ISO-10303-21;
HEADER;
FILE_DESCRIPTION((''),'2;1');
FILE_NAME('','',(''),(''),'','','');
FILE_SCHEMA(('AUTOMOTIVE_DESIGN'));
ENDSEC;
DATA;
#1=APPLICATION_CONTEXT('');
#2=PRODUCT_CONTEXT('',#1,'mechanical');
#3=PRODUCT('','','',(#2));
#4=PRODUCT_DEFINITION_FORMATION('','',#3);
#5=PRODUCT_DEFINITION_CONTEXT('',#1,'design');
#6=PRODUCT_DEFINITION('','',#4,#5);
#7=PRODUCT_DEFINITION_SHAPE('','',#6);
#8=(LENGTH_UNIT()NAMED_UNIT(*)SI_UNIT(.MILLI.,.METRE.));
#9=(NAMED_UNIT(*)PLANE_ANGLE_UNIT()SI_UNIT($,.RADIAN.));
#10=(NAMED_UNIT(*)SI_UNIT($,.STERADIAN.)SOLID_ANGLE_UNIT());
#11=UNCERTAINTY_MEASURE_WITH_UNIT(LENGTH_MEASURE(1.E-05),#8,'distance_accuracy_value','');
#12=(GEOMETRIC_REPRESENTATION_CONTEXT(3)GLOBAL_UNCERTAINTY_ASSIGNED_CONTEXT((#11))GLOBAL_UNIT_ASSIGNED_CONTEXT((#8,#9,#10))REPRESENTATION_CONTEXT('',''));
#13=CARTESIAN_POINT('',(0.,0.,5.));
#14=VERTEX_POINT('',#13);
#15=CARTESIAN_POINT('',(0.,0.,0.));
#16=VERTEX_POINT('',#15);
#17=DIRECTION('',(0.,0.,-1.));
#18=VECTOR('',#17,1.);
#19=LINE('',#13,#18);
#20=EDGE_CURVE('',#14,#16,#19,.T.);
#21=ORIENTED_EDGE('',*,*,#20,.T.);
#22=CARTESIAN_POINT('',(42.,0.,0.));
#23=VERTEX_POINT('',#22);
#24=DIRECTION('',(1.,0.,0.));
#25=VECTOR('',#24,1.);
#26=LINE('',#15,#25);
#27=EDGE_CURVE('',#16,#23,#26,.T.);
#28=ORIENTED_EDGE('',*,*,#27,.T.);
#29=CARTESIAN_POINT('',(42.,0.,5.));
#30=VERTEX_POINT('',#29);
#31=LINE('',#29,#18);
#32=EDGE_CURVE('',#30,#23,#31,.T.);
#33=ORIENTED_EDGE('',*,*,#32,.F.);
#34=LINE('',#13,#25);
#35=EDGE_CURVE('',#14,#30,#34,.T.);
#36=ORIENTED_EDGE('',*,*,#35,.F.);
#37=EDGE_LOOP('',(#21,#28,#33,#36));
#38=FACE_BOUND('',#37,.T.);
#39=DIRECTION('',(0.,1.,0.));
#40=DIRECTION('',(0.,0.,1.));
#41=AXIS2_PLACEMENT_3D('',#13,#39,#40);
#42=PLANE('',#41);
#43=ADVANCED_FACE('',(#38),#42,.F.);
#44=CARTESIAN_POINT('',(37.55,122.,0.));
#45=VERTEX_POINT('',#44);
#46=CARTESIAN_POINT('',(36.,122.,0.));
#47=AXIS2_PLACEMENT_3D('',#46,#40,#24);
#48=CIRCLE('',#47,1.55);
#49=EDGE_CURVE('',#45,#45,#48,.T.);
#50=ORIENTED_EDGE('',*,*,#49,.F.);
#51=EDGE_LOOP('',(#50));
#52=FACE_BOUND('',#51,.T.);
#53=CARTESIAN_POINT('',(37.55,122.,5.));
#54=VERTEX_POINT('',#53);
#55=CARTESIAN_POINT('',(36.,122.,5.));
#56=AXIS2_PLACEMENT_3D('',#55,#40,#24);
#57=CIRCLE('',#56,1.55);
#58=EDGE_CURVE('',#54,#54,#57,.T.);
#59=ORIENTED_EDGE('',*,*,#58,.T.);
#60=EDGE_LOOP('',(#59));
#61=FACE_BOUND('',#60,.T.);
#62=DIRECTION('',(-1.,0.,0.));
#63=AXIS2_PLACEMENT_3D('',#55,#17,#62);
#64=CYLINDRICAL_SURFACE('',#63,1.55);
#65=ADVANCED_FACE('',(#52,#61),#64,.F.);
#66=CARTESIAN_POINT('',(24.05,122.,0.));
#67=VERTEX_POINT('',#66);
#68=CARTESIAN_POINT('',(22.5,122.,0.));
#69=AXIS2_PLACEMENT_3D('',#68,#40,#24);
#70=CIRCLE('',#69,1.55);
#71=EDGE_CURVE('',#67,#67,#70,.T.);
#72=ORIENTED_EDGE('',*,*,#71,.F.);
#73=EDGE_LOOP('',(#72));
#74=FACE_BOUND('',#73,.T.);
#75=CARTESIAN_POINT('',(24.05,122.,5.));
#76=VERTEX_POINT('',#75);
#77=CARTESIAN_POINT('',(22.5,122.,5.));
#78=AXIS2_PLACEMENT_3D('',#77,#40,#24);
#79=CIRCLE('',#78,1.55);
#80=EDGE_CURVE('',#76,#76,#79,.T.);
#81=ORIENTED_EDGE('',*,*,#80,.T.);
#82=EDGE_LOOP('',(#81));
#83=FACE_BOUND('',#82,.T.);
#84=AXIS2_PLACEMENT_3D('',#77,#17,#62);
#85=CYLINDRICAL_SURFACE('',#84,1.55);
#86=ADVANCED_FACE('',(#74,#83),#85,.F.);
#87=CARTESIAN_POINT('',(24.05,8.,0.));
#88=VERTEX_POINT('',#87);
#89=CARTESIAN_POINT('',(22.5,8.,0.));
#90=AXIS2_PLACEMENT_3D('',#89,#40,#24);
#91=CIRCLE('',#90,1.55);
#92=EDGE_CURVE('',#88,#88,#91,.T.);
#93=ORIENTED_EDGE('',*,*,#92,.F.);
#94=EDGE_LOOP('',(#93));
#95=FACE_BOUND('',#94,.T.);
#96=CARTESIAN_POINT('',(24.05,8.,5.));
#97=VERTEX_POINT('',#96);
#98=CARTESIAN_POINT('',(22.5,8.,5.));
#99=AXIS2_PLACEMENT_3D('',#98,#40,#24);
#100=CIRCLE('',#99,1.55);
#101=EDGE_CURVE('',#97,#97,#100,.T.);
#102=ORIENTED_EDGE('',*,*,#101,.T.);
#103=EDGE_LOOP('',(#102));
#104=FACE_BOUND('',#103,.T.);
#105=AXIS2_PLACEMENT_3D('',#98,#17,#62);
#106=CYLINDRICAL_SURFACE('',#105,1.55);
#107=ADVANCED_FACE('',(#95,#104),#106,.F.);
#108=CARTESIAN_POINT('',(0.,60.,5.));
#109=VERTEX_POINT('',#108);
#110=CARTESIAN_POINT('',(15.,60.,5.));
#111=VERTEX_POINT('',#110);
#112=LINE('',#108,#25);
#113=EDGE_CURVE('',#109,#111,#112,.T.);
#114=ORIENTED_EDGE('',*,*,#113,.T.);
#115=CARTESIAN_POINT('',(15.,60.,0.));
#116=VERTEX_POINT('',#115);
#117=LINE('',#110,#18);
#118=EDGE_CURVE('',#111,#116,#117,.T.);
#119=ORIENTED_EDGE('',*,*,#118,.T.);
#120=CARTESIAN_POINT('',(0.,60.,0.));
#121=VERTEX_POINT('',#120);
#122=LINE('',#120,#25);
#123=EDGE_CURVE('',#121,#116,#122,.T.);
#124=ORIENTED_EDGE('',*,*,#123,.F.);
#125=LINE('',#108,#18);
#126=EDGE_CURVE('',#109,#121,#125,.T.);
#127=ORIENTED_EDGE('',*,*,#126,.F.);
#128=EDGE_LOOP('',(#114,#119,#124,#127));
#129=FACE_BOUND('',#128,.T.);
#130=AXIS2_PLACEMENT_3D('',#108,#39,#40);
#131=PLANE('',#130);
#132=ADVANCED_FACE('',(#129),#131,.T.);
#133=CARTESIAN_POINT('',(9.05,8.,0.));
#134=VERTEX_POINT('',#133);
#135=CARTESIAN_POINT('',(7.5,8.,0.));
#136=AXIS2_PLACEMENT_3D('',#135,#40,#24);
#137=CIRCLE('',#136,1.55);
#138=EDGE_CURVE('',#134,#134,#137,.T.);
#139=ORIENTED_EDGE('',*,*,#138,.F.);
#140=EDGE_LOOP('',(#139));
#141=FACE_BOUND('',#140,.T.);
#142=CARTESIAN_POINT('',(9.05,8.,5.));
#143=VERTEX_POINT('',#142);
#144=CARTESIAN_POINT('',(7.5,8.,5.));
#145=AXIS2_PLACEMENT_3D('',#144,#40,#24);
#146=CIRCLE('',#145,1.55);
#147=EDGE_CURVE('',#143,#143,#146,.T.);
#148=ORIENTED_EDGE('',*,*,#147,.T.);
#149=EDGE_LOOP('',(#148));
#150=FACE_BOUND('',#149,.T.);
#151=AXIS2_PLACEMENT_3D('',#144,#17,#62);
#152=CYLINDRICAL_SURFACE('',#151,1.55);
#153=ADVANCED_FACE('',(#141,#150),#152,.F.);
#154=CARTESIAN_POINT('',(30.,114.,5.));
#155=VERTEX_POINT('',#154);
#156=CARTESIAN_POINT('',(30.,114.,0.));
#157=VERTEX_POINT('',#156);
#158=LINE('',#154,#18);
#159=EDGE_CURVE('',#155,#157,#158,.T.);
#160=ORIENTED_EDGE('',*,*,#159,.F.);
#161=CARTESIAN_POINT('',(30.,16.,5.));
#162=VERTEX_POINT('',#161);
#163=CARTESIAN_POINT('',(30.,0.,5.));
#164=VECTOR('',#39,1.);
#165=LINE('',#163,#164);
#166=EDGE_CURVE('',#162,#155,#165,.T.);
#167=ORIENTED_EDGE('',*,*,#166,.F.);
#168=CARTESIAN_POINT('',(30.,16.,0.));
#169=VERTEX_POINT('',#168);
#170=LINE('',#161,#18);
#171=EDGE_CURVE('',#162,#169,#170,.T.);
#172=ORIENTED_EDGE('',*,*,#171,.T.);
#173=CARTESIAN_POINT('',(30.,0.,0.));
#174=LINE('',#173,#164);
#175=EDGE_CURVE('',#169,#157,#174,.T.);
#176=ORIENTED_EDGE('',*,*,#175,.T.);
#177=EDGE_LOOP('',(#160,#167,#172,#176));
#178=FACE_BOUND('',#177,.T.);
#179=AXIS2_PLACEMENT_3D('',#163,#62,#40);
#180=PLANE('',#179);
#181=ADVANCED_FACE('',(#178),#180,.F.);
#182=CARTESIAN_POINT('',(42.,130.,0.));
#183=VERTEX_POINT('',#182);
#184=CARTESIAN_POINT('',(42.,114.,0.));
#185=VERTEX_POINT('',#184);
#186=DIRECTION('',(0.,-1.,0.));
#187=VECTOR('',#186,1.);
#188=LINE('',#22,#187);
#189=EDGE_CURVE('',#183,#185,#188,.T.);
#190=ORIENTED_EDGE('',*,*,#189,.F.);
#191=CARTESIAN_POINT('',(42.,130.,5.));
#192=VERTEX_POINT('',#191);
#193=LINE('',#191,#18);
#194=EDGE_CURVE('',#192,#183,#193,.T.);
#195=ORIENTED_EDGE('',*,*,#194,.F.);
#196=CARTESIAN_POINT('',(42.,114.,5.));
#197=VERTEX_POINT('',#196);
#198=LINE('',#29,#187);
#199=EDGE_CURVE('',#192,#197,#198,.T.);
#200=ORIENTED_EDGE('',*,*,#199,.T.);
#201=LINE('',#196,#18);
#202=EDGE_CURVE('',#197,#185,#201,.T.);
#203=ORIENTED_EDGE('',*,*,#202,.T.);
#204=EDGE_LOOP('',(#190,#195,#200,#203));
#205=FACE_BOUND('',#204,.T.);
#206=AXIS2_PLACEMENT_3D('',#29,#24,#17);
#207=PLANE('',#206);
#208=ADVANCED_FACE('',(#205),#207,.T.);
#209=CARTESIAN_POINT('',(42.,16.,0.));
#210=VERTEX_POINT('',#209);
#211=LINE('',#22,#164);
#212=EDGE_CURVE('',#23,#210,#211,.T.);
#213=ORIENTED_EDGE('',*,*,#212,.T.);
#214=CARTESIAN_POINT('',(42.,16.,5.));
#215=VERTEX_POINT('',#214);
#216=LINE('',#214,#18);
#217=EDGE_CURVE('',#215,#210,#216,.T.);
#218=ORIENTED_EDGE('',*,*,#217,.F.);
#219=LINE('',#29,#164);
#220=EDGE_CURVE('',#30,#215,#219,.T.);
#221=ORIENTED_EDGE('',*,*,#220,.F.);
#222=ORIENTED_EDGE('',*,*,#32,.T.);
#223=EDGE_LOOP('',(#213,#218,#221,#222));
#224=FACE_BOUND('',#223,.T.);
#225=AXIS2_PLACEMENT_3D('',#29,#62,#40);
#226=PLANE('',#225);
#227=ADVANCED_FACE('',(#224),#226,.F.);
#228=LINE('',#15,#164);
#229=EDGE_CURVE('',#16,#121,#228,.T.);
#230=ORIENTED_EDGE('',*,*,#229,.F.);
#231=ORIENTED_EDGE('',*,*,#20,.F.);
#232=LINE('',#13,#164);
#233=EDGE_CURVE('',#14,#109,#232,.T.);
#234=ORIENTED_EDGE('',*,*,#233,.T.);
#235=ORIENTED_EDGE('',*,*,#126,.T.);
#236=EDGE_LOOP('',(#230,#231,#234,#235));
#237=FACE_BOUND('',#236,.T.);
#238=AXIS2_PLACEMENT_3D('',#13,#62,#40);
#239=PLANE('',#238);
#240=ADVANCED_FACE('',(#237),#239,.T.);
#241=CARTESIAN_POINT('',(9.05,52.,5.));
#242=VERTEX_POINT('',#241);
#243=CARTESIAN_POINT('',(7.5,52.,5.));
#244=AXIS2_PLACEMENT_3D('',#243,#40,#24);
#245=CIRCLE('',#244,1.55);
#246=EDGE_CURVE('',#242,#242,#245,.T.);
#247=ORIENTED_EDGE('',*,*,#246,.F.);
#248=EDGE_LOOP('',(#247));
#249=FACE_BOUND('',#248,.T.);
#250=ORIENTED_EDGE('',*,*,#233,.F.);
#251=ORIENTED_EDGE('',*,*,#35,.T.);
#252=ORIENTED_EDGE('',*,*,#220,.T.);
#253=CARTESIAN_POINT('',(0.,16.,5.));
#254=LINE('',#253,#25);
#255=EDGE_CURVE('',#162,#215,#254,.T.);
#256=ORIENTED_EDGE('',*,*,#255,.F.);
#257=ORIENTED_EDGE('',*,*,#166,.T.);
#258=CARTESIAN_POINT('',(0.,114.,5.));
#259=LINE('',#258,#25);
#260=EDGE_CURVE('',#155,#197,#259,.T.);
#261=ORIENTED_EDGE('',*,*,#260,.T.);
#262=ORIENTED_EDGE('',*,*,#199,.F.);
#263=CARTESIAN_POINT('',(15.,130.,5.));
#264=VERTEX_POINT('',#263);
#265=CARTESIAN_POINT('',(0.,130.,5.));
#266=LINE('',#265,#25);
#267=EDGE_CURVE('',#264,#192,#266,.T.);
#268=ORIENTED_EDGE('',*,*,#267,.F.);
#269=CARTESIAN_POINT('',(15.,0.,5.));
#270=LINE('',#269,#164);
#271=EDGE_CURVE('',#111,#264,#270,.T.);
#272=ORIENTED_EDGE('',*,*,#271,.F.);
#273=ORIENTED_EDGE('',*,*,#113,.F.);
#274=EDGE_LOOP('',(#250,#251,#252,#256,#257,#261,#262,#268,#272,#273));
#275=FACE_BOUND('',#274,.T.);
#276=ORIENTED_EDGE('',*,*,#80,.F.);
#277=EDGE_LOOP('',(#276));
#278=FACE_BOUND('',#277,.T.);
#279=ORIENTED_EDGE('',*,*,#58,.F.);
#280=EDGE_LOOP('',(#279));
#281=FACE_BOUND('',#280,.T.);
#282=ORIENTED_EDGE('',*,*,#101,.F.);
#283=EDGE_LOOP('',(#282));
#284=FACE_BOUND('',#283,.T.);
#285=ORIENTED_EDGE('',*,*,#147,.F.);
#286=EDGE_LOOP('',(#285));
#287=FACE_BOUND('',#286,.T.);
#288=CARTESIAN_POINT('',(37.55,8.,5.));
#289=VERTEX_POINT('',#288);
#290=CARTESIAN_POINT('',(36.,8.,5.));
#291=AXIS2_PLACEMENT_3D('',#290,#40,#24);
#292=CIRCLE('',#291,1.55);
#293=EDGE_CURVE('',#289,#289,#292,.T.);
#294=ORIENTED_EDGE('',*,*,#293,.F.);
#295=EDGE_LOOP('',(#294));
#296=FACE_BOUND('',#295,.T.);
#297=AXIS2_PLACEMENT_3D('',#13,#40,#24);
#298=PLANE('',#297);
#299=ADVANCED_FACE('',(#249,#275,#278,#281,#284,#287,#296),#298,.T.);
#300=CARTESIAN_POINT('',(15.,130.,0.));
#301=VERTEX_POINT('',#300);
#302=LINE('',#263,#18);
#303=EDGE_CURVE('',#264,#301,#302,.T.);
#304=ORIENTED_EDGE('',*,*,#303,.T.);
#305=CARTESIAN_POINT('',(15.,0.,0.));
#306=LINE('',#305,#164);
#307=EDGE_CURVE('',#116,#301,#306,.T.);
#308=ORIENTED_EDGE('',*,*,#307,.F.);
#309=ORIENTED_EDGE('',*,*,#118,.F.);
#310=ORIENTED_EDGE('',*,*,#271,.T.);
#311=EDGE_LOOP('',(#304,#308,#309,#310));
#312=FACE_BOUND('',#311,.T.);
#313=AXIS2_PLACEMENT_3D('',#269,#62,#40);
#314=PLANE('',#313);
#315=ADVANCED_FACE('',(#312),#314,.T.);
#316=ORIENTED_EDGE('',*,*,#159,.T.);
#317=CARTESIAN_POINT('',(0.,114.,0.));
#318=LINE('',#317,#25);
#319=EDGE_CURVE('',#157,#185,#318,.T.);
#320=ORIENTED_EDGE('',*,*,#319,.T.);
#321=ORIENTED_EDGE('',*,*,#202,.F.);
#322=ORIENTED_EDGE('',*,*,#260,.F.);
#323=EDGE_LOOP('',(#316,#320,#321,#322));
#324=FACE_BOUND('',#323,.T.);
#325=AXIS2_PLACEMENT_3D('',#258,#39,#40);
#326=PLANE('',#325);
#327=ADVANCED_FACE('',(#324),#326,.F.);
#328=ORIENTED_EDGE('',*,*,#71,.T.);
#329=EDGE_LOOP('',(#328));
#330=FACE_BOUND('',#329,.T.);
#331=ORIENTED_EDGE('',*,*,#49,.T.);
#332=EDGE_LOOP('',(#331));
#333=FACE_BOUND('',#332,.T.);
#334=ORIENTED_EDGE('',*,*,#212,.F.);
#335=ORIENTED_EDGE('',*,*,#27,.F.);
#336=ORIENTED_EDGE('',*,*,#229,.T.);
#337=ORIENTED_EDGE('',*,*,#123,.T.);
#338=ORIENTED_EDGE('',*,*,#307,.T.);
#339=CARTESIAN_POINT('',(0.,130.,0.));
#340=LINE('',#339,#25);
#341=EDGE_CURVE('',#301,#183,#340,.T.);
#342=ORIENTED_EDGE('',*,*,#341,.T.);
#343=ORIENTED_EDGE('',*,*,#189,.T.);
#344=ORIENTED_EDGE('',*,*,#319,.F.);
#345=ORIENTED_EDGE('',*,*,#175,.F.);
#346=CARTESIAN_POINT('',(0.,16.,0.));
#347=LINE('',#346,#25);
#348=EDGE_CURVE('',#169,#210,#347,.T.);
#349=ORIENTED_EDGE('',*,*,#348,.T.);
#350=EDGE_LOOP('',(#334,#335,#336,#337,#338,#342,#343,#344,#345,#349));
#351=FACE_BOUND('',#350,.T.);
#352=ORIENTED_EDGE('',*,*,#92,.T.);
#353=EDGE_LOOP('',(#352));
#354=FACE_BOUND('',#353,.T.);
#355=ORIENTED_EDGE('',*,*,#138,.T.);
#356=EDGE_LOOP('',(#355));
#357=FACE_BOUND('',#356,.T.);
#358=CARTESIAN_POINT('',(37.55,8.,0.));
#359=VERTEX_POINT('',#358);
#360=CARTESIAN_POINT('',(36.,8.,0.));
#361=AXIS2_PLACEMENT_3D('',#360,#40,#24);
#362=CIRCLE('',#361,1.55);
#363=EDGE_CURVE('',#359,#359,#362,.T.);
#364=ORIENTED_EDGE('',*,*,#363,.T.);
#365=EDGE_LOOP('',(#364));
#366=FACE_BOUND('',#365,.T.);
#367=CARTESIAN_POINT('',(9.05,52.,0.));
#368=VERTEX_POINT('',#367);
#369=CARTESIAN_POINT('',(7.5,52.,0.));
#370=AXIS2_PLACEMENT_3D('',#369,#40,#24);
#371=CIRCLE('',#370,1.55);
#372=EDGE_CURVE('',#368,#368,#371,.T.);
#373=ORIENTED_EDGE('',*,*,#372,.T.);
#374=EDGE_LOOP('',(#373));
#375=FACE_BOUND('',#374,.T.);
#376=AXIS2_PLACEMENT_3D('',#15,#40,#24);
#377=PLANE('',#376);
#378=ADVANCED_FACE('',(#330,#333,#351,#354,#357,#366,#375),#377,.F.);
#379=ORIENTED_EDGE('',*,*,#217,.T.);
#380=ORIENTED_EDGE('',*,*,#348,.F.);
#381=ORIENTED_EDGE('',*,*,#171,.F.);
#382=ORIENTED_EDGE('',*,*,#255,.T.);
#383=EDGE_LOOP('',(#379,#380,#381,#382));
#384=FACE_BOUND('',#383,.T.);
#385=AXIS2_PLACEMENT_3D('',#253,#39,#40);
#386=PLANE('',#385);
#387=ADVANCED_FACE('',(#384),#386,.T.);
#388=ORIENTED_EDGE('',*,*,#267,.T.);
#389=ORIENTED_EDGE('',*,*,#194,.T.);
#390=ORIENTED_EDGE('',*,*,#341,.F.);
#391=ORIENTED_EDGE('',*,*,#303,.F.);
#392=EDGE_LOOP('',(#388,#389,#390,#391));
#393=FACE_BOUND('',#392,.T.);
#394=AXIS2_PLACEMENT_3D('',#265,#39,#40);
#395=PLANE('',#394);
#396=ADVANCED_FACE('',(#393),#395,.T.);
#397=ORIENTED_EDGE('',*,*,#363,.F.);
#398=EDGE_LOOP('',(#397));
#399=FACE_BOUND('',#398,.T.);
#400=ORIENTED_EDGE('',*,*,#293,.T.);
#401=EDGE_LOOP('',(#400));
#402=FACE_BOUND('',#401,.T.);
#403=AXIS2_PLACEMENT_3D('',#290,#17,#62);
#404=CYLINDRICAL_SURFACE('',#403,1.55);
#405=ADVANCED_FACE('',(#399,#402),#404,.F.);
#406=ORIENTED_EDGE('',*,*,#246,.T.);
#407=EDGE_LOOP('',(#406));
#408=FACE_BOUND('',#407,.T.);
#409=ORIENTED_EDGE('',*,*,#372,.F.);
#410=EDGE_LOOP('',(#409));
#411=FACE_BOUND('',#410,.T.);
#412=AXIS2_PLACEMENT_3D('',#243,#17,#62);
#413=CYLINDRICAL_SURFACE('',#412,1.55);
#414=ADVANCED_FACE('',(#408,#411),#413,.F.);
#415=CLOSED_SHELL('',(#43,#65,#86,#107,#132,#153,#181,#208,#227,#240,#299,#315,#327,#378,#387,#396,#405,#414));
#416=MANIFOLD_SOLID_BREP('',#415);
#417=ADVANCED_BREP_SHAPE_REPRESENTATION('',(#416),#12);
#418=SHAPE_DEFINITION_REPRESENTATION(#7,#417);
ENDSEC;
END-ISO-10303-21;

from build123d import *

# Parameters (mm, degrees)
SKETCH1_W           = 15
SKETCH1_H           = 60
SKETCH1_R           = 1.55
SKETCH1_W_2         = 12
SKETCH1_H_2         = 16
BOSS_EXTRUDE1_DEPTH = 5


with BuildPart() as part:
    # Sketch1 → Boss-Extrude1 (new body)
    # profile 1 of 4: a face of its own
    with BuildSketch(Plane.XY):
        with Locations((7.5, 30)):
            Rectangle(SKETCH1_W, SKETCH1_H)
        with Locations((7.5, 8)):
            Circle(SKETCH1_R, mode=Mode.SUBTRACT)
        with Locations((7.5, 52)):
            Circle(SKETCH1_R, mode=Mode.SUBTRACT)
    # profile 2 of 4: a face of its own
    with BuildSketch(Plane.XY):
        Polygon((15, 60), (15, 0), (30, 0), (30, 16), (30, 114), (30, 130), (15, 130), align=None)
        with Locations((22.5, 8)):
            Circle(SKETCH1_R, mode=Mode.SUBTRACT)
        with Locations((22.5, 122)):
            Circle(SKETCH1_R, mode=Mode.SUBTRACT)
    # profile 3 of 4: a face of its own
    with BuildSketch(Plane.XY):
        with Locations((36, 8)):
            Rectangle(SKETCH1_W_2, SKETCH1_H_2)
        with Locations((36, 8)):
            Circle(SKETCH1_R, mode=Mode.SUBTRACT)
    # profile 4 of 4: a face of its own
    with BuildSketch(Plane.XY):
        with Locations((36, 122)):
            Rectangle(SKETCH1_W_2, SKETCH1_H_2)
        with Locations((36, 122)):
            Circle(SKETCH1_R, mode=Mode.SUBTRACT)
    extrude(amount=BOSS_EXTRUDE1_DEPTH)


solid = part.part
